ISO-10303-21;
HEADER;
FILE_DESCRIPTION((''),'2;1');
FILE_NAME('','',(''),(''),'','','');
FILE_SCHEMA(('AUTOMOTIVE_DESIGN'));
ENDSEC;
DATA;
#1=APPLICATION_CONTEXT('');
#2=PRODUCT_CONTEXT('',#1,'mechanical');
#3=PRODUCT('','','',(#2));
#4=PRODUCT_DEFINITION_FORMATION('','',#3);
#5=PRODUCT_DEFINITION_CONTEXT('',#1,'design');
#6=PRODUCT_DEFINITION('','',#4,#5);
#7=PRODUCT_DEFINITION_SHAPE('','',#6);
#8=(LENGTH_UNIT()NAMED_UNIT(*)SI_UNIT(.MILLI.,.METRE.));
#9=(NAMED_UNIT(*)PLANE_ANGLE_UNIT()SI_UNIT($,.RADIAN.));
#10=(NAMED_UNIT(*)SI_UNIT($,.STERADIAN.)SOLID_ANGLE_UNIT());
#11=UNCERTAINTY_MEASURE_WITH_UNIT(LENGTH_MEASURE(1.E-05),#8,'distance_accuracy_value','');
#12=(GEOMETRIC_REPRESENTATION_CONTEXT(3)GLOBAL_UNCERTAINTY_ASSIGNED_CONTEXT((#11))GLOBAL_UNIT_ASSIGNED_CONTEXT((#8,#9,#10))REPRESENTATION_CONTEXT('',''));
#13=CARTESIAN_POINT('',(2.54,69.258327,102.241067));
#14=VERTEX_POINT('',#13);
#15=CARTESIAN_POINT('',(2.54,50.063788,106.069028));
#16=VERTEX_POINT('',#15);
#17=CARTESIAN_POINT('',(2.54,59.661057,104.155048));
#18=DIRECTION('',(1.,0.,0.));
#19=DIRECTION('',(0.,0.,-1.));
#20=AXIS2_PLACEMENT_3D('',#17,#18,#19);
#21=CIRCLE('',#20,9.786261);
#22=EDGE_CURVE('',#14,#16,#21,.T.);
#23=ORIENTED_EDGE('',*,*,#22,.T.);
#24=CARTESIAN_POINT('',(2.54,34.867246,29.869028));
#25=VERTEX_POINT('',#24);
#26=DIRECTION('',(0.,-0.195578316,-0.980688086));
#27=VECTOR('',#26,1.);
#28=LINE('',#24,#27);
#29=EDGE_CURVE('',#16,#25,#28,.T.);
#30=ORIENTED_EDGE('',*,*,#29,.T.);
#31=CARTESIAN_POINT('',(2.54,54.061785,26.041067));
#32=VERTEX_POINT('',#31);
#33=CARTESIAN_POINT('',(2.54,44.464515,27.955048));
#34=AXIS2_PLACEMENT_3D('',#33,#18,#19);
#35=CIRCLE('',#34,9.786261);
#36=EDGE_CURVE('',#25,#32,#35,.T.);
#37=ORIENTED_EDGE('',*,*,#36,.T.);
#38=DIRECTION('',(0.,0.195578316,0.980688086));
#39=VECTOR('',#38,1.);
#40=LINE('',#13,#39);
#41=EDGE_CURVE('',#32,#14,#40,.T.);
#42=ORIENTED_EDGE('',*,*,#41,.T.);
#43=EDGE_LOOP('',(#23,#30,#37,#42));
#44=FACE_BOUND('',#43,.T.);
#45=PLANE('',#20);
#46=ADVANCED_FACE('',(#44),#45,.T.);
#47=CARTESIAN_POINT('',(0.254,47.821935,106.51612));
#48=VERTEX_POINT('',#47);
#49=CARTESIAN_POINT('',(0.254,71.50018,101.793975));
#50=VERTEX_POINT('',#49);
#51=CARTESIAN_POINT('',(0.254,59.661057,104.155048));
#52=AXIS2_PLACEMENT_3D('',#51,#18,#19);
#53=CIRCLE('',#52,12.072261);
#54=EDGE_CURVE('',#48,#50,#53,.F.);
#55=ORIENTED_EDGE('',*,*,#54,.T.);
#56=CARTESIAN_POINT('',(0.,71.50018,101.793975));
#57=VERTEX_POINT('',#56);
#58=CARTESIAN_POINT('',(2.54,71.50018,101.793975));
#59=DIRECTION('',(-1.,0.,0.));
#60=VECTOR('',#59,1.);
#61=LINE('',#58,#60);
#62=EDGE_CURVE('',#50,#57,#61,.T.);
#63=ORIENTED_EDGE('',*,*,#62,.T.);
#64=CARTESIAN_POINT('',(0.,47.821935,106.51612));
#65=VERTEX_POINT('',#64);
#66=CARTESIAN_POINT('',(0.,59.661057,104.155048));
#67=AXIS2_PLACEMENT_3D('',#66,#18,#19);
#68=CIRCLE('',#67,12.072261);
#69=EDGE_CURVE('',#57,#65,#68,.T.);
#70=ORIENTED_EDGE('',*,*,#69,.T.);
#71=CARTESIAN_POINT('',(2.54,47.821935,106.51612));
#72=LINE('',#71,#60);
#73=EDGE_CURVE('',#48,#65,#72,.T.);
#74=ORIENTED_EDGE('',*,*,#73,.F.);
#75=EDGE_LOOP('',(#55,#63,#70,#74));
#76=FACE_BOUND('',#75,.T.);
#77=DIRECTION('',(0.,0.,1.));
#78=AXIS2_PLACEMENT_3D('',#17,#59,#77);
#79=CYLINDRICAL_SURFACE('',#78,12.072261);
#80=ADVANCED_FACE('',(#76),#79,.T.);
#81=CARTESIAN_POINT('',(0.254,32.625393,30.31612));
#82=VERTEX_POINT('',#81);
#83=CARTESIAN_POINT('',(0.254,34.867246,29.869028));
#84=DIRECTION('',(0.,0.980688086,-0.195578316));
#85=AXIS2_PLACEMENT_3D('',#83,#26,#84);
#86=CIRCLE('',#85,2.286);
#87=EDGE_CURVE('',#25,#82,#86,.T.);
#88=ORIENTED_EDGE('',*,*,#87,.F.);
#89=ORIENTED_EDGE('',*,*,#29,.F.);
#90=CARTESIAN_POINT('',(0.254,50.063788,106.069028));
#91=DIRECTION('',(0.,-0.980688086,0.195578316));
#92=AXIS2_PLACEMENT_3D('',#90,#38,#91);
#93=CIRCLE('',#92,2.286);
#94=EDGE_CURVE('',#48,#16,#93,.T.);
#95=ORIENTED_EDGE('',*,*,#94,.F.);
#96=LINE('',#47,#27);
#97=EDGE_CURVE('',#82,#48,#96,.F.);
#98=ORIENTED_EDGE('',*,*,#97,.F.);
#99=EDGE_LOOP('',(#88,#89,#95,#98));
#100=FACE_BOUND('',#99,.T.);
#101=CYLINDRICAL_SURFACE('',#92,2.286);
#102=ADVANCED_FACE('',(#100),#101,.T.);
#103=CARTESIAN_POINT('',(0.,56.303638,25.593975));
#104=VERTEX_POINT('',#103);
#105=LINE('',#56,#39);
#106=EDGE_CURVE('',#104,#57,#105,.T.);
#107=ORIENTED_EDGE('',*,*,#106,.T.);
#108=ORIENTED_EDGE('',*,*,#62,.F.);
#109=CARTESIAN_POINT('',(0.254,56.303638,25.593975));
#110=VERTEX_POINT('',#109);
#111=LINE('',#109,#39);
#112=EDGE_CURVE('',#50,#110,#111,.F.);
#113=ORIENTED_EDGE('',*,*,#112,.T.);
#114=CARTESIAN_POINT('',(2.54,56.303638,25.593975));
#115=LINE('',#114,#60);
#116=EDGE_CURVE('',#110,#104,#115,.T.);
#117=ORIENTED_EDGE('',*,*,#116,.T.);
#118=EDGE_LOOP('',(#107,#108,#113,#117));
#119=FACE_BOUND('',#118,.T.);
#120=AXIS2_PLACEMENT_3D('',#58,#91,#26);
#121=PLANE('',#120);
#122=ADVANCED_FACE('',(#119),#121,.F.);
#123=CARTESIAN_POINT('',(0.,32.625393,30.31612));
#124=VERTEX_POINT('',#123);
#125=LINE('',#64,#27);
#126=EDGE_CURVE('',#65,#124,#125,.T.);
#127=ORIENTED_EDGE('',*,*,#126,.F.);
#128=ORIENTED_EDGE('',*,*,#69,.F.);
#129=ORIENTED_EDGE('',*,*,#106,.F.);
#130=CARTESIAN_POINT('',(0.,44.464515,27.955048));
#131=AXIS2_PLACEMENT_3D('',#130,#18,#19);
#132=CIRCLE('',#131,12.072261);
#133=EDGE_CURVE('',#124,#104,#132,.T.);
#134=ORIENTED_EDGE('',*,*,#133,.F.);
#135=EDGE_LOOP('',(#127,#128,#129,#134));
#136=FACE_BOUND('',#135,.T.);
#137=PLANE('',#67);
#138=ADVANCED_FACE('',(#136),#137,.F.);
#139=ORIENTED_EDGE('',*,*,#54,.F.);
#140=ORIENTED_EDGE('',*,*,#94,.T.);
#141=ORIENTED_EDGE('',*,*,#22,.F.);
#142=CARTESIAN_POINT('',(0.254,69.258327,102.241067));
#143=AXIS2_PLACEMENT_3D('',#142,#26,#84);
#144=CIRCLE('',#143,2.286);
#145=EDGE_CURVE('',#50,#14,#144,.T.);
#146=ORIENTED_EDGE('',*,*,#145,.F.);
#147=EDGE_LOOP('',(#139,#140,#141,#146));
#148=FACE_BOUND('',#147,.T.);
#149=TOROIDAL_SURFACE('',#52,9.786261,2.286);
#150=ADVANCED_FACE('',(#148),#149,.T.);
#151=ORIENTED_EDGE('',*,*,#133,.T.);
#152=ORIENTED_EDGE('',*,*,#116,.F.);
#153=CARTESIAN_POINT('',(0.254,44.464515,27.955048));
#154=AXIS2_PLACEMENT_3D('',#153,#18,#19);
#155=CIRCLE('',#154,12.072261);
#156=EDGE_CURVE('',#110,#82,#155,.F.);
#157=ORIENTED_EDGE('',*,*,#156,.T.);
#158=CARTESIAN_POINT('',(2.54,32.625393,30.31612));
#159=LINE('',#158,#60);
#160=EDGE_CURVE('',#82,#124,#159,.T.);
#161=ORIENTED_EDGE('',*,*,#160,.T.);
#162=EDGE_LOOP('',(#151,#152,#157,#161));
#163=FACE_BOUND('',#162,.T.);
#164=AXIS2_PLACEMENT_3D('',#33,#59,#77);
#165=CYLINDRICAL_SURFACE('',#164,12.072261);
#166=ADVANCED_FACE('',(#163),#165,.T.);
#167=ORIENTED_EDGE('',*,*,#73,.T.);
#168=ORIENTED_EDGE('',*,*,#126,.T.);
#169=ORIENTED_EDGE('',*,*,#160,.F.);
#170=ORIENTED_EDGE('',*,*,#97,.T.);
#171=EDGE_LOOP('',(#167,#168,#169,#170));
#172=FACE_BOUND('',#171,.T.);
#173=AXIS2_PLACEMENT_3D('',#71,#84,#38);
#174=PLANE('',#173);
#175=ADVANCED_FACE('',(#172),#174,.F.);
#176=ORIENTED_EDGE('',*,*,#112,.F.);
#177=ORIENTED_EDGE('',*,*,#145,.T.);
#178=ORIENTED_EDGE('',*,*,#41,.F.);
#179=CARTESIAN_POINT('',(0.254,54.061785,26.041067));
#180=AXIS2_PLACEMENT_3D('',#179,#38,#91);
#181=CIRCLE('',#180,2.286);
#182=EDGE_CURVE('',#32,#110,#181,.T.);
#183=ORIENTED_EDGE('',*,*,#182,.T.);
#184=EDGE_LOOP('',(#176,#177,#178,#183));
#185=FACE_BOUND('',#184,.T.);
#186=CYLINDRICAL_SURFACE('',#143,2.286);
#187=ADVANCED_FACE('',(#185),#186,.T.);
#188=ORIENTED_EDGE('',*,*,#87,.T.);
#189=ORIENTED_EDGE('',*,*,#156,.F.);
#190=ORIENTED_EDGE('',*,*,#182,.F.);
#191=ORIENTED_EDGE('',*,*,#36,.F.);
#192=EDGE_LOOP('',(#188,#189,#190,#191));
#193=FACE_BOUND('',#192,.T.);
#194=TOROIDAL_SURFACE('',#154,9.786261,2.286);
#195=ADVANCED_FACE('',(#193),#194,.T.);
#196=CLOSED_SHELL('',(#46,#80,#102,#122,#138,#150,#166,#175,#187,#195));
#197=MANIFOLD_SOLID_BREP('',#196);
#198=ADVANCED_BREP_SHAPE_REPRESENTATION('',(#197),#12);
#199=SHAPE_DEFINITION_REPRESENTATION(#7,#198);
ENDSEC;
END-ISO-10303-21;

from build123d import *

# Parameters (mm, degrees)
BOSS_EXTRUDE2_DEPTH = 2.54
FILLET1_R           = 2.286


with BuildPart() as part:
    # Sketch1 → Boss-Extrude2 (new body)
    with BuildSketch(Plane(origin=(0, 0, 0), x_dir=(0, 0, -1), z_dir=(1, 0, 0))):
        with BuildLine():
            Line((-101.793975141, 71.500179704), (-25.593975141, 56.30363774))
            ThreePointArc((-25.593975141, 56.30363774), (-16.115925279, 42.103443032), (-30.316119987, 32.62539317))
            Line((-30.316119987, 32.62539317), (-106.516119987, 47.821935134))
            ThreePointArc((-106.516119987, 47.821935134), (-115.994169849, 62.022129842), (-101.793975141, 71.500179704))
        make_face()
    extrude(amount=BOSS_EXTRUDE2_DEPTH)

    # Fillet1
    fillet1_edges = [part.edges().sort_by_distance(p)[0] for p in [
        (2.54, 42.103443032, 16.115925279),
        (2.54, 63.901908722, 63.693975141),
        (2.54, 62.022129842, 115.994169849),
        (2.54, 40.223664152, 68.416119987),
    ]]
    fillet(fillet1_edges, radius=FILLET1_R)


solid = part.part
